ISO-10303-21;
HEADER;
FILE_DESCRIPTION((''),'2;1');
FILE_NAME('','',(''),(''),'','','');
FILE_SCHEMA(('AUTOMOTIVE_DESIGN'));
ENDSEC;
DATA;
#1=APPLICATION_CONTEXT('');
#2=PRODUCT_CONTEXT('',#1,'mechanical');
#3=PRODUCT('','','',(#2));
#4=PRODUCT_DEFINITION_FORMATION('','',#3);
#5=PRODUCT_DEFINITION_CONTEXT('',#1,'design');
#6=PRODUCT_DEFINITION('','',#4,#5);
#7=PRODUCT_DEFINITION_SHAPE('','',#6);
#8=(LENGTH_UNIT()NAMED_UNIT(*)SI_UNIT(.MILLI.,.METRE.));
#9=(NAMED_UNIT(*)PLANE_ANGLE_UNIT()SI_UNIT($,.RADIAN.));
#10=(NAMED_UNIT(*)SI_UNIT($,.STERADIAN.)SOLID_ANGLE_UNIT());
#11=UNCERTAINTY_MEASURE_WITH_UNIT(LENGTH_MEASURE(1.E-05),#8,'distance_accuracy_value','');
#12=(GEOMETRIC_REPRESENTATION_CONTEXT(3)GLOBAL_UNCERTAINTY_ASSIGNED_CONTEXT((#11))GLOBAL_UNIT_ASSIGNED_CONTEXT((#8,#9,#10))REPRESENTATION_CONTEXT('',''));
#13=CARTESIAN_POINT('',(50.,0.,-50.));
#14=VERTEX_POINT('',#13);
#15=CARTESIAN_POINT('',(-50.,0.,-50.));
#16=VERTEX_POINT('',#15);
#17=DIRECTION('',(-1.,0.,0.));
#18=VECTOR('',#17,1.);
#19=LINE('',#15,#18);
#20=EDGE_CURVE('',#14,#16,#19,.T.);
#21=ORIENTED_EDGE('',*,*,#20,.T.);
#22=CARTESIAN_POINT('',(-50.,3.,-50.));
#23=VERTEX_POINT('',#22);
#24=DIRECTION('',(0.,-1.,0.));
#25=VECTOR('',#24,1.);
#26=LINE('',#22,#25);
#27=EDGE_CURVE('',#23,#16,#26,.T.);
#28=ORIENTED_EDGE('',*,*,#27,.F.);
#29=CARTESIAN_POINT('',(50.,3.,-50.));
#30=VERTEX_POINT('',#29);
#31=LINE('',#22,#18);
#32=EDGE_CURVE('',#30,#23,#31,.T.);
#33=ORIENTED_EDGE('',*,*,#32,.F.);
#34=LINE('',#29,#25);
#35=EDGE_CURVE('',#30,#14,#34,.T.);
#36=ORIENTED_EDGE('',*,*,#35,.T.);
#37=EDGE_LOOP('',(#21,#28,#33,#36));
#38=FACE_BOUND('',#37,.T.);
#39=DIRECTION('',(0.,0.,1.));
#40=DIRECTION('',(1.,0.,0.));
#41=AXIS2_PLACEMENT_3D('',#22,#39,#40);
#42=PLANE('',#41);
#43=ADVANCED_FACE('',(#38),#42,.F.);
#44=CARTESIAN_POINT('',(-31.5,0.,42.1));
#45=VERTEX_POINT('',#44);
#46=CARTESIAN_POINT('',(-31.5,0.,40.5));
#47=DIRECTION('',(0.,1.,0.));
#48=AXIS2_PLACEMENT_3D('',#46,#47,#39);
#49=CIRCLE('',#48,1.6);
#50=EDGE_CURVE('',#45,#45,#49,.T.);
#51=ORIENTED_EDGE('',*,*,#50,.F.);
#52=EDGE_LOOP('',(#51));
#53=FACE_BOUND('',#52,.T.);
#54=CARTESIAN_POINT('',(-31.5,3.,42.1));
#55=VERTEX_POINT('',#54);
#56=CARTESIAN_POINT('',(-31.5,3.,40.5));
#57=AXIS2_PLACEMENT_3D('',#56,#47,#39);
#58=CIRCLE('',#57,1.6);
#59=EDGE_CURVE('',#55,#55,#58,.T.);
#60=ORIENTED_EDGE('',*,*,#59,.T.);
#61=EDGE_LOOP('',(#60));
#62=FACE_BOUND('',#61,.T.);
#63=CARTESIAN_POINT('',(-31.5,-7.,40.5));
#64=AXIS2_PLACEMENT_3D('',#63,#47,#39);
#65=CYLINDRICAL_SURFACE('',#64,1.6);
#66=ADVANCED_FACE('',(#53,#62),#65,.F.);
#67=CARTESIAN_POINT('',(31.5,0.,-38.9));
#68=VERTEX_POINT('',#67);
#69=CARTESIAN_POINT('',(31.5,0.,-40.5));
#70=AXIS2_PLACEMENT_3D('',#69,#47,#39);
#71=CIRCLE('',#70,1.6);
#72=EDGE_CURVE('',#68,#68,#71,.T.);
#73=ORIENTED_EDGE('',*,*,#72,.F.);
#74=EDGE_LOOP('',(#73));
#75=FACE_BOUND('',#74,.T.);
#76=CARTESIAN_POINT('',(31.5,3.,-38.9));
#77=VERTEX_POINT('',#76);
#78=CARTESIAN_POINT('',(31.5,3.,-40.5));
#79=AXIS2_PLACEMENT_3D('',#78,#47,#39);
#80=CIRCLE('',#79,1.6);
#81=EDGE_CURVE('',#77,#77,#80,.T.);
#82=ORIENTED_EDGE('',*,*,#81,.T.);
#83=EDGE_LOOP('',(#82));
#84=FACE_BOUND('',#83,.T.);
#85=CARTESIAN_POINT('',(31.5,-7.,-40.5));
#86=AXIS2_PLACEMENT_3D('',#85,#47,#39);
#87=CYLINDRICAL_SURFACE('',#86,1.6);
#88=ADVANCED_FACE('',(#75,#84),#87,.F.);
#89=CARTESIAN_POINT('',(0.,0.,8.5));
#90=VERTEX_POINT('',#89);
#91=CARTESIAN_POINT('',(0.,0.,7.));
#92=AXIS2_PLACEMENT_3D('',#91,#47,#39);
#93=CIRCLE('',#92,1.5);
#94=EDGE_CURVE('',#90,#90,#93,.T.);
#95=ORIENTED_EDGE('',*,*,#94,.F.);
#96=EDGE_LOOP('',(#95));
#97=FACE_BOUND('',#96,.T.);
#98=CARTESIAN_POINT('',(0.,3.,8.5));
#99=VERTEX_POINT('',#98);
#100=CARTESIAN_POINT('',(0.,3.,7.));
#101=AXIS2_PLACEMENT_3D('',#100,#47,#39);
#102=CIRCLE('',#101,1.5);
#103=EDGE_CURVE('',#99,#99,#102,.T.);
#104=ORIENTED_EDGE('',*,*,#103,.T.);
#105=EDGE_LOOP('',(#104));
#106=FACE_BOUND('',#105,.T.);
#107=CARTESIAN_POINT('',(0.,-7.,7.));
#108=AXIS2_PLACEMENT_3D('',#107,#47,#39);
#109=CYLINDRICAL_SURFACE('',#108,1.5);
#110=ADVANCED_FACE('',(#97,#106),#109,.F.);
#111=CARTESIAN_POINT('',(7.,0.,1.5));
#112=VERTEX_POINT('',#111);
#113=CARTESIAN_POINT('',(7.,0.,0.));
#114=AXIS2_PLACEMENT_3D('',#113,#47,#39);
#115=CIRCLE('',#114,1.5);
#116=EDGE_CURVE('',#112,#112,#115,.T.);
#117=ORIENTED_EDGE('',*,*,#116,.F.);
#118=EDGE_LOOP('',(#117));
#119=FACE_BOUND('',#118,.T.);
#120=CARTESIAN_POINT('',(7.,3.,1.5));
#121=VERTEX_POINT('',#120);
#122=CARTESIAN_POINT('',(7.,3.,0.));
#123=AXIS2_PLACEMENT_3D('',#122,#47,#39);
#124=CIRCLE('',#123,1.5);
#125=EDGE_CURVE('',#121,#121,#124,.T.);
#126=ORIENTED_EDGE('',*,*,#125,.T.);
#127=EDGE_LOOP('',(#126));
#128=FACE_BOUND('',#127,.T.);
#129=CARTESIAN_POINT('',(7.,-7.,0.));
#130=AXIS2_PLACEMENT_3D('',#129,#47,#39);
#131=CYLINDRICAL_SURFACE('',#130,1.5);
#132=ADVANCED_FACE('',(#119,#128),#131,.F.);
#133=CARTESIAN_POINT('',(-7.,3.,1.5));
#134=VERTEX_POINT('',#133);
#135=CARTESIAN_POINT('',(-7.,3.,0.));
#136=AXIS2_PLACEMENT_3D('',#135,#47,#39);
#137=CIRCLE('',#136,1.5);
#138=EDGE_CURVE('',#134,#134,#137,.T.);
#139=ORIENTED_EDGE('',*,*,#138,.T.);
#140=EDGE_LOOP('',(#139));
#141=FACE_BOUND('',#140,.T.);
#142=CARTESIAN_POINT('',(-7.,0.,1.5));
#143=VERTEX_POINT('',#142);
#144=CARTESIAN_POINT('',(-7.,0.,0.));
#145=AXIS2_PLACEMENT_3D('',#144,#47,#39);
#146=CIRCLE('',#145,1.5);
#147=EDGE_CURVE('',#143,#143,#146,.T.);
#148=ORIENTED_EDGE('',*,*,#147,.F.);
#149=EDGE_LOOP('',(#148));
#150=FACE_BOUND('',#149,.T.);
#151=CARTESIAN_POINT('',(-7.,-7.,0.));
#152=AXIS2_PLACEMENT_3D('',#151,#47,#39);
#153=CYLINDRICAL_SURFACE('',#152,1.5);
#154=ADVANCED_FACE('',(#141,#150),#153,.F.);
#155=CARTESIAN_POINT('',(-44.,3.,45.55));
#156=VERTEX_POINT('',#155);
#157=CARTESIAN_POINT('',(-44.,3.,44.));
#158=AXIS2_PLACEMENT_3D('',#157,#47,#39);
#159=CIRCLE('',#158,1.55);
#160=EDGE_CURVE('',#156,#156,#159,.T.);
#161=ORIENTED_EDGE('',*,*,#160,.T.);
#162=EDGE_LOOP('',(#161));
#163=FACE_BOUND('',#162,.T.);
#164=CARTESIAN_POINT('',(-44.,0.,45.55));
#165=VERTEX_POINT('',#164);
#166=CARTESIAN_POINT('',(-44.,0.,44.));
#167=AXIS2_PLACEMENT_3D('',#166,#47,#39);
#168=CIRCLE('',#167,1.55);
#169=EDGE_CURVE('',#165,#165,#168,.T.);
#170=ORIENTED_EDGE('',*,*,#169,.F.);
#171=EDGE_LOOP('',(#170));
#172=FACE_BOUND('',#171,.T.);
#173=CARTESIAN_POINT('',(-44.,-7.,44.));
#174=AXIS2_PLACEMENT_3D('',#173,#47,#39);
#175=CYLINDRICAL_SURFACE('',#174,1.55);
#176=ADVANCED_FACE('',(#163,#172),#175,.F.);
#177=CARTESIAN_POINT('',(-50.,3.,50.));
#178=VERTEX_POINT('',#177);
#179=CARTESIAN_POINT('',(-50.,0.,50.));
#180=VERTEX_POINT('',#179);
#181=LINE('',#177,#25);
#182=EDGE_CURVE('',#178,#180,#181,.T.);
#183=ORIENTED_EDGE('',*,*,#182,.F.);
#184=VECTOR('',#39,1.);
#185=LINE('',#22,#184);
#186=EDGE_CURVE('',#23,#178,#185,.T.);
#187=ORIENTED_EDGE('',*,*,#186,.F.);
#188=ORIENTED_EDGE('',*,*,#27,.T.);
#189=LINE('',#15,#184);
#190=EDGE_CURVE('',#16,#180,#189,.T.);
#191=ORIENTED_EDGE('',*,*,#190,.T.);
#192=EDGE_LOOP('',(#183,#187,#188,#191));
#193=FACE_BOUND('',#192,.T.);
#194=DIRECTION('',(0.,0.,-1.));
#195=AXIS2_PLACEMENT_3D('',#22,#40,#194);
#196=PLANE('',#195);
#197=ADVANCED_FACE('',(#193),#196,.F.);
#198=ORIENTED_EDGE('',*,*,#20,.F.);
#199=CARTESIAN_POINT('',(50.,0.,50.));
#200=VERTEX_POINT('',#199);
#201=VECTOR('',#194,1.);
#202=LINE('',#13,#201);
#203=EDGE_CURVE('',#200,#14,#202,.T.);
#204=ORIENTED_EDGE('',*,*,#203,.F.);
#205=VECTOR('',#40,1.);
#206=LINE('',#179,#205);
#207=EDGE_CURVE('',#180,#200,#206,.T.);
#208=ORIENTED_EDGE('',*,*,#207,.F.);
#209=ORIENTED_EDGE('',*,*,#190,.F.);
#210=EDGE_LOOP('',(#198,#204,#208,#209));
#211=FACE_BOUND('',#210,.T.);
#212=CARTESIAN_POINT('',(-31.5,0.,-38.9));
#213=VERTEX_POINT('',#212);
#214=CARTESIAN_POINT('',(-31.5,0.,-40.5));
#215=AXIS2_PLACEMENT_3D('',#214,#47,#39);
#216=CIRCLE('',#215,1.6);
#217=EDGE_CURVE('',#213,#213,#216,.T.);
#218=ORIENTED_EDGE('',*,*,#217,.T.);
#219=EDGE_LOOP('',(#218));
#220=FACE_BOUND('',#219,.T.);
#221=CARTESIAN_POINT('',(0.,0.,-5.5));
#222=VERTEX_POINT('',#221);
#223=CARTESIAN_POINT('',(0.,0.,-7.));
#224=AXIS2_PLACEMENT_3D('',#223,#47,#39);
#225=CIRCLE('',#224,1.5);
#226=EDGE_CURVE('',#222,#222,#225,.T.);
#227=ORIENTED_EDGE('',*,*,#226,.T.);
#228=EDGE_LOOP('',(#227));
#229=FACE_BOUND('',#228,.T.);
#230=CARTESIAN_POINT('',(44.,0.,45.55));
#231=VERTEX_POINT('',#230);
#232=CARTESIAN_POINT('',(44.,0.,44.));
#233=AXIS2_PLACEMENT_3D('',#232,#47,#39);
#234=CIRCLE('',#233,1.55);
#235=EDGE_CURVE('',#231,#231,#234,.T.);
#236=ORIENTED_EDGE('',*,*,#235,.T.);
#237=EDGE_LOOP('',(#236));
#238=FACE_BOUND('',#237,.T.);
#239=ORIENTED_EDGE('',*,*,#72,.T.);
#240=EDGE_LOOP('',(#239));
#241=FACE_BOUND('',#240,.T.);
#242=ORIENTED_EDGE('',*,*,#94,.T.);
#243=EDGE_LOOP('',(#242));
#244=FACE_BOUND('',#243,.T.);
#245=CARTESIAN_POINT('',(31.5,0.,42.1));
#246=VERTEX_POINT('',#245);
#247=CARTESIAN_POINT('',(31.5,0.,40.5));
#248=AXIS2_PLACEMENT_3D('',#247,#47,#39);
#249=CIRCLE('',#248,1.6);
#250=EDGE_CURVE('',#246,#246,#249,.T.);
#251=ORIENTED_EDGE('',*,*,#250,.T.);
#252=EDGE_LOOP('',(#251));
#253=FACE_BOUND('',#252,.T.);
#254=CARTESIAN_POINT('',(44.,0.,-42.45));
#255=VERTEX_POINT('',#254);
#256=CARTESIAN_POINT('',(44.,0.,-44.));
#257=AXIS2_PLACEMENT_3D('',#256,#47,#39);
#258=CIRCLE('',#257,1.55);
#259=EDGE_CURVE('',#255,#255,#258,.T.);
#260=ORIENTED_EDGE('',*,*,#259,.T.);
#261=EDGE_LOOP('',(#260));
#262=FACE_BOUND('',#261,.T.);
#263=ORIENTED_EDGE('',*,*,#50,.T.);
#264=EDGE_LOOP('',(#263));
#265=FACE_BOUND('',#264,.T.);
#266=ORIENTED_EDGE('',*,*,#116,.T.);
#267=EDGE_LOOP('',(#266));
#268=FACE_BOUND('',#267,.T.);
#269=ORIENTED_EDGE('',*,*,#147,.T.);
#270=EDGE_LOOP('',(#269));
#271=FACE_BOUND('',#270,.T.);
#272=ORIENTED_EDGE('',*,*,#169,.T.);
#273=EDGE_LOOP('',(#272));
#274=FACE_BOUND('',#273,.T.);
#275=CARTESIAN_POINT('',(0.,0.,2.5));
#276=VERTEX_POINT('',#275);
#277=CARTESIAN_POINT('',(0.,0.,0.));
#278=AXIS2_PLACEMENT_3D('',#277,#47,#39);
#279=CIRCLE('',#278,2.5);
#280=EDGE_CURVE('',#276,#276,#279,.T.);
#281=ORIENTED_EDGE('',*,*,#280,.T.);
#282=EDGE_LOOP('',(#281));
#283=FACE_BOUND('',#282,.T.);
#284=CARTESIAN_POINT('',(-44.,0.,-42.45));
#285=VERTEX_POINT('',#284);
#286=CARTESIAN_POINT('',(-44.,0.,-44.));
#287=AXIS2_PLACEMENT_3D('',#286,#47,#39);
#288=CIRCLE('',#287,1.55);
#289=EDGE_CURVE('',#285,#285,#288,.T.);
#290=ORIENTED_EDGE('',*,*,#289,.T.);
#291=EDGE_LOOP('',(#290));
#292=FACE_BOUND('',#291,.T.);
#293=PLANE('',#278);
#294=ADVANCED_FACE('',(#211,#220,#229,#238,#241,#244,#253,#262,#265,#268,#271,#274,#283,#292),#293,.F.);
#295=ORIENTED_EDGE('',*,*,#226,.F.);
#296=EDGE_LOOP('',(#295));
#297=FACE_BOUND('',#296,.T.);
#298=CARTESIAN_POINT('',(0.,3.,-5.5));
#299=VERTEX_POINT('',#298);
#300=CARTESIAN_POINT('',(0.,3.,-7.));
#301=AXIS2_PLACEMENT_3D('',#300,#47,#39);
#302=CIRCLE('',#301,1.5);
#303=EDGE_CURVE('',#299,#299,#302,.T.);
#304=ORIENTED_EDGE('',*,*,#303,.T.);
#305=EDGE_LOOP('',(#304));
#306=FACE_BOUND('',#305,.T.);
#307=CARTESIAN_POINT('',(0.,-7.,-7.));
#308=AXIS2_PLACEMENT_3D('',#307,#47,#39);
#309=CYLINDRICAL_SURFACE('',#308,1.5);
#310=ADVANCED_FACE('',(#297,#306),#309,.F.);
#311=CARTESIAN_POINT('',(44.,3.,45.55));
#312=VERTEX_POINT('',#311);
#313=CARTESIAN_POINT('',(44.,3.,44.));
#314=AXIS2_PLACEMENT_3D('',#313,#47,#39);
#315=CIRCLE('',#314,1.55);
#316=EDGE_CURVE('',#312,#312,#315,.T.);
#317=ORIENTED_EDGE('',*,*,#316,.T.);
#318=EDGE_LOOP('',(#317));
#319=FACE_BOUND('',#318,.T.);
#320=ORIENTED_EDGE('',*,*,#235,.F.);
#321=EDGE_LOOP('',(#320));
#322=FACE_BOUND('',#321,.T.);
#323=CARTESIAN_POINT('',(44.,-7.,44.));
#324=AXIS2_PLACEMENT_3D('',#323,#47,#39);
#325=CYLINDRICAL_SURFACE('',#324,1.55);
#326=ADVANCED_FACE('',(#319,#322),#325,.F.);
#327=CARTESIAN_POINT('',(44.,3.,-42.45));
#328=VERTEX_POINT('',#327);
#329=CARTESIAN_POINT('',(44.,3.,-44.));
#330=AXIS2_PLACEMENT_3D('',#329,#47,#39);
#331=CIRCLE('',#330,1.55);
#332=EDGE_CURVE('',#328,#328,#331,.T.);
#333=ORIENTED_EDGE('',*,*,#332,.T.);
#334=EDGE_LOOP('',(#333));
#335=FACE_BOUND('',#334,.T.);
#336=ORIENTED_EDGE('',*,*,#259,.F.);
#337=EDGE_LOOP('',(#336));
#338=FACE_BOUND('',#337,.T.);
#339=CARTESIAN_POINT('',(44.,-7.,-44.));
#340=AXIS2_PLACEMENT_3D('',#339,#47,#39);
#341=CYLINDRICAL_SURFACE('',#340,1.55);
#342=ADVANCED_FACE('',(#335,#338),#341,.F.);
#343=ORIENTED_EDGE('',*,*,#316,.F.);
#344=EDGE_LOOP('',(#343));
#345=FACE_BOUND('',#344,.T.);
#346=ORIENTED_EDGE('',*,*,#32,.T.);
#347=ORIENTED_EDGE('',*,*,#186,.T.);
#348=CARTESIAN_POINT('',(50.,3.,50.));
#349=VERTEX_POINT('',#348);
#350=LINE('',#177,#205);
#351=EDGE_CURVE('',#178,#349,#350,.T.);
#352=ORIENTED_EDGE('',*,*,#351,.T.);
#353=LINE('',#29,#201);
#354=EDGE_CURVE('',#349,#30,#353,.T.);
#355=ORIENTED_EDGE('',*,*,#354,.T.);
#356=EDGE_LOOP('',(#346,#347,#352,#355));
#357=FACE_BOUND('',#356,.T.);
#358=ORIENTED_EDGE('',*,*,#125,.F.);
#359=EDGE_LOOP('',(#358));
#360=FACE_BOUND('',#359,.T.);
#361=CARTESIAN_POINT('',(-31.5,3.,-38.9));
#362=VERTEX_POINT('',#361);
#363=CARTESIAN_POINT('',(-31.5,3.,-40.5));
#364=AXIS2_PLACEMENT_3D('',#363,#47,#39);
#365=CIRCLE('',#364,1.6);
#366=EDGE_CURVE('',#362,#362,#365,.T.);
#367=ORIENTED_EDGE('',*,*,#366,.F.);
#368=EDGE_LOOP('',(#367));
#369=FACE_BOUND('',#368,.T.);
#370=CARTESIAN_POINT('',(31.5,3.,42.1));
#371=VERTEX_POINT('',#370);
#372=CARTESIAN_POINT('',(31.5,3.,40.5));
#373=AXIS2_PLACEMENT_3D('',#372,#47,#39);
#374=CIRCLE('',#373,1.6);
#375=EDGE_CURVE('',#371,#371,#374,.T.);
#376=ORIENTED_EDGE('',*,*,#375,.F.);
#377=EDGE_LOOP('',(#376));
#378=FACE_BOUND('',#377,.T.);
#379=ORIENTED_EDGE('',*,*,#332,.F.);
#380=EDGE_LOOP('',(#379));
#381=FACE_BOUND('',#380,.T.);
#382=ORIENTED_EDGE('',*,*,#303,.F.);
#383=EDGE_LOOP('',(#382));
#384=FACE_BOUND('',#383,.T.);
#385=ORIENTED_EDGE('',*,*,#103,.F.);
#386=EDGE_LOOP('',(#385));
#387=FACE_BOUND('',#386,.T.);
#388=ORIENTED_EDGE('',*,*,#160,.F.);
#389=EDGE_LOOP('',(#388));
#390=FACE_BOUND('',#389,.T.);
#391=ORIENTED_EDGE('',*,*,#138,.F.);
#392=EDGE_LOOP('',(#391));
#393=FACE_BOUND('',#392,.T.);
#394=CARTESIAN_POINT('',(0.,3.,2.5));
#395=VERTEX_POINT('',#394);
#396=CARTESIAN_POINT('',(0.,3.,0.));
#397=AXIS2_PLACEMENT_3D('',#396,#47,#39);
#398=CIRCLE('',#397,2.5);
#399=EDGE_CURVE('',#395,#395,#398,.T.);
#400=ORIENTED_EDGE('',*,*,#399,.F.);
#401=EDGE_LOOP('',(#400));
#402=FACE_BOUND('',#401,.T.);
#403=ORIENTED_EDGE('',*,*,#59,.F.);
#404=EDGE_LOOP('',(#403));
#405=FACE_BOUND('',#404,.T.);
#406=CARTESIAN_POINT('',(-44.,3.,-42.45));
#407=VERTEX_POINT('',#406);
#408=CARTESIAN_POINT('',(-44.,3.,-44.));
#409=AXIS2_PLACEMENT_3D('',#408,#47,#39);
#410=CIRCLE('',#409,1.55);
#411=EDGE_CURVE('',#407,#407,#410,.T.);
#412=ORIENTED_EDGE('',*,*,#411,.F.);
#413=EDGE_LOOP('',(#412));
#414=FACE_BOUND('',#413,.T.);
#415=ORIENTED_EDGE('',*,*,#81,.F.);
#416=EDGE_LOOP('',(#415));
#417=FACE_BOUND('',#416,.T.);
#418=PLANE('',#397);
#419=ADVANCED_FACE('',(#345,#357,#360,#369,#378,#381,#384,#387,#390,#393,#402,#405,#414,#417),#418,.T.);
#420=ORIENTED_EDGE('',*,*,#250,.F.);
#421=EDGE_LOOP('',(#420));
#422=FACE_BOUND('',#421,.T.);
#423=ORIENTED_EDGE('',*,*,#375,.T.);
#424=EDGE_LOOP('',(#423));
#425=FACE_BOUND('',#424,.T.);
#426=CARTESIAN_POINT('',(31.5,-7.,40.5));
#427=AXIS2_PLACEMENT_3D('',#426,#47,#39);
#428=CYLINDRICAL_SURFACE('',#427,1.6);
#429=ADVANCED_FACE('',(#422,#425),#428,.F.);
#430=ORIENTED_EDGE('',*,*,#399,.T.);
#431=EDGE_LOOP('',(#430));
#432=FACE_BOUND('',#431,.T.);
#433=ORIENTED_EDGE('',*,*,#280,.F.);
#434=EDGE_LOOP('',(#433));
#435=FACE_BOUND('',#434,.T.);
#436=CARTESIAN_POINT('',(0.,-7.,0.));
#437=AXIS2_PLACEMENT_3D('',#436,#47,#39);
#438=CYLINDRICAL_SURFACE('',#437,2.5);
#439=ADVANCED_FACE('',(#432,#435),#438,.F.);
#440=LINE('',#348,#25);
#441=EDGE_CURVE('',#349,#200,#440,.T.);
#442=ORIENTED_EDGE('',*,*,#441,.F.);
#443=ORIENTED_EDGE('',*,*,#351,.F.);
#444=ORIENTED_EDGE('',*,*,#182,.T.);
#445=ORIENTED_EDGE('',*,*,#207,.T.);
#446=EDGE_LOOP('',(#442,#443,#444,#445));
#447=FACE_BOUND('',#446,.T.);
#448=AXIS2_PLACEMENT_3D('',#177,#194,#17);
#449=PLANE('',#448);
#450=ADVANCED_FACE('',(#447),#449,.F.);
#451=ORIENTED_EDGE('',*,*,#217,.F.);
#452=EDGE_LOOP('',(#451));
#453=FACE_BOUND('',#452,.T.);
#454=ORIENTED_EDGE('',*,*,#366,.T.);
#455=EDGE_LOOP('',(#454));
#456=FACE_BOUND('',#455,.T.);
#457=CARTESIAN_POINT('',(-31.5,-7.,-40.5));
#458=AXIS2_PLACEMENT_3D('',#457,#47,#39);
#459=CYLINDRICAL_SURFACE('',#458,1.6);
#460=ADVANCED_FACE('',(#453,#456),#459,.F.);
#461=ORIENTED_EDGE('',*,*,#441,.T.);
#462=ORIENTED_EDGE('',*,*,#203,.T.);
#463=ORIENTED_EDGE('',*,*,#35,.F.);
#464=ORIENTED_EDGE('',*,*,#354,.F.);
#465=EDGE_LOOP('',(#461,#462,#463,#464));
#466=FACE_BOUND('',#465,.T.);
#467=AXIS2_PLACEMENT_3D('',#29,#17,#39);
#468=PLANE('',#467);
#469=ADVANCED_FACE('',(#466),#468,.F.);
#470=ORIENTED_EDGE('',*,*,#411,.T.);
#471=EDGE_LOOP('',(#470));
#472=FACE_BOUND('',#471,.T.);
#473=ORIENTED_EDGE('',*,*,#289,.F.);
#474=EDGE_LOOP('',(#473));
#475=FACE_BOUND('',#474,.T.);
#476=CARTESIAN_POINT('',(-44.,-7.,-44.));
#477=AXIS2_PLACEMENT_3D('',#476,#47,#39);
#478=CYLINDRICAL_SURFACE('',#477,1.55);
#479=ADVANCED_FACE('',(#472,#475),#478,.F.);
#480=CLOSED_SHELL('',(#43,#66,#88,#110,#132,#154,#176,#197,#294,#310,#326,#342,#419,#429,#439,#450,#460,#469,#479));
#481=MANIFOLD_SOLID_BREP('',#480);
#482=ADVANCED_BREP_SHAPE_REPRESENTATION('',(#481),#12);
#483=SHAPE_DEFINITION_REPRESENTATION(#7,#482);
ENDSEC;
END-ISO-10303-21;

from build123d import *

# Parameters (mm, degrees)
CROQUIS1_W              = 100
CROQUIS1_H              = 100
SALIENTE_EXTRUIR1_DEPTH = 3
CROQUIS6_R              = 1.55
CORTAR_EXTRUIR4_DEPTH   = 10
CROQUIS7_R              = 1.6
CORTAR_EXTRUIR5_DEPTH   = 10
CROQUIS8_R              = 2.5
CROQUIS8_R_2            = 1.5
CORTAR_EXTRUIR6_DEPTH   = 10


with BuildPart() as part:
    # Croquis1 → Saliente-Extruir1 (new body)
    with BuildSketch(Plane(origin=(0, 0, 0), x_dir=(1, 0, 0), z_dir=(0, 1, 0))):
        Rectangle(CROQUIS1_W, CROQUIS1_H)
    extrude(amount=SALIENTE_EXTRUIR1_DEPTH)

    # Croquis6 → Cortar-Extruir4 (cut)
    with BuildSketch(Plane(origin=(0, 3, 0), x_dir=(1, 0, 0), z_dir=(0, 1, 0))):
        with Locations(Location((-44, 44, 0), (0, 0, 270))):  # turned: the seam where the file's is
            Circle(CROQUIS6_R)
        with Locations(Location((44, 44, 0), (0, 0, 270))):  # turned: the seam where the file's is
            Circle(CROQUIS6_R)
        with Locations(Location((44, -44, 0), (0, 0, 270))):  # turned: the seam where the file's is
            Circle(CROQUIS6_R)
        with Locations(Location((-44, -44, 0), (0, 0, 270))):  # turned: the seam where the file's is
            Circle(CROQUIS6_R)
    extrude(amount=-CORTAR_EXTRUIR4_DEPTH, mode=Mode.SUBTRACT)

    # Croquis7 → Cortar-Extruir5 (cut)
    with BuildSketch(Plane(origin=(0, 3, 0), x_dir=(1, 0, 0), z_dir=(0, 1, 0))):
        with Locations(Location((-31.5, 40.5, 0), (0, 0, 270))):  # turned: the seam where the file's is
            Circle(CROQUIS7_R)
        with Locations(Location((31.5, 40.5, 0), (0, 0, 270))):  # turned: the seam where the file's is
            Circle(CROQUIS7_R)
        with Locations(Location((-31.5, -40.5, 0), (0, 0, 270))):  # turned: the seam where the file's is
            Circle(CROQUIS7_R)
        with Locations(Location((31.5, -40.5, 0), (0, 0, 270))):  # turned: the seam where the file's is
            Circle(CROQUIS7_R)
    extrude(amount=-CORTAR_EXTRUIR5_DEPTH, mode=Mode.SUBTRACT)

    # Croquis8 → Cortar-Extruir6 (cut)
    with BuildSketch(Plane(origin=(0, 3, 0), x_dir=(1, 0, 0), z_dir=(0, 1, 0))):
        with Locations(Location((0, 0, 0), (0, 0, 270))):  # turned: the seam where the file's is
            Circle(CROQUIS8_R)
        with Locations(Location((0, 7, 0), (0, 0, 270))):  # turned: the seam where the file's is
            Circle(CROQUIS8_R_2)
        with Locations(Location((7, 0, 0), (0, 0, 270))):  # turned: the seam where the file's is
            Circle(CROQUIS8_R_2)
        with Locations(Location((0, -7, 0), (0, 0, 270))):  # turned: the seam where the file's is
            Circle(CROQUIS8_R_2)
        with Locations(Location((-7, 0, 0), (0, 0, 270))):  # turned: the seam where the file's is
            Circle(CROQUIS8_R_2)
    extrude(amount=-CORTAR_EXTRUIR6_DEPTH, mode=Mode.SUBTRACT)


solid = part.part
